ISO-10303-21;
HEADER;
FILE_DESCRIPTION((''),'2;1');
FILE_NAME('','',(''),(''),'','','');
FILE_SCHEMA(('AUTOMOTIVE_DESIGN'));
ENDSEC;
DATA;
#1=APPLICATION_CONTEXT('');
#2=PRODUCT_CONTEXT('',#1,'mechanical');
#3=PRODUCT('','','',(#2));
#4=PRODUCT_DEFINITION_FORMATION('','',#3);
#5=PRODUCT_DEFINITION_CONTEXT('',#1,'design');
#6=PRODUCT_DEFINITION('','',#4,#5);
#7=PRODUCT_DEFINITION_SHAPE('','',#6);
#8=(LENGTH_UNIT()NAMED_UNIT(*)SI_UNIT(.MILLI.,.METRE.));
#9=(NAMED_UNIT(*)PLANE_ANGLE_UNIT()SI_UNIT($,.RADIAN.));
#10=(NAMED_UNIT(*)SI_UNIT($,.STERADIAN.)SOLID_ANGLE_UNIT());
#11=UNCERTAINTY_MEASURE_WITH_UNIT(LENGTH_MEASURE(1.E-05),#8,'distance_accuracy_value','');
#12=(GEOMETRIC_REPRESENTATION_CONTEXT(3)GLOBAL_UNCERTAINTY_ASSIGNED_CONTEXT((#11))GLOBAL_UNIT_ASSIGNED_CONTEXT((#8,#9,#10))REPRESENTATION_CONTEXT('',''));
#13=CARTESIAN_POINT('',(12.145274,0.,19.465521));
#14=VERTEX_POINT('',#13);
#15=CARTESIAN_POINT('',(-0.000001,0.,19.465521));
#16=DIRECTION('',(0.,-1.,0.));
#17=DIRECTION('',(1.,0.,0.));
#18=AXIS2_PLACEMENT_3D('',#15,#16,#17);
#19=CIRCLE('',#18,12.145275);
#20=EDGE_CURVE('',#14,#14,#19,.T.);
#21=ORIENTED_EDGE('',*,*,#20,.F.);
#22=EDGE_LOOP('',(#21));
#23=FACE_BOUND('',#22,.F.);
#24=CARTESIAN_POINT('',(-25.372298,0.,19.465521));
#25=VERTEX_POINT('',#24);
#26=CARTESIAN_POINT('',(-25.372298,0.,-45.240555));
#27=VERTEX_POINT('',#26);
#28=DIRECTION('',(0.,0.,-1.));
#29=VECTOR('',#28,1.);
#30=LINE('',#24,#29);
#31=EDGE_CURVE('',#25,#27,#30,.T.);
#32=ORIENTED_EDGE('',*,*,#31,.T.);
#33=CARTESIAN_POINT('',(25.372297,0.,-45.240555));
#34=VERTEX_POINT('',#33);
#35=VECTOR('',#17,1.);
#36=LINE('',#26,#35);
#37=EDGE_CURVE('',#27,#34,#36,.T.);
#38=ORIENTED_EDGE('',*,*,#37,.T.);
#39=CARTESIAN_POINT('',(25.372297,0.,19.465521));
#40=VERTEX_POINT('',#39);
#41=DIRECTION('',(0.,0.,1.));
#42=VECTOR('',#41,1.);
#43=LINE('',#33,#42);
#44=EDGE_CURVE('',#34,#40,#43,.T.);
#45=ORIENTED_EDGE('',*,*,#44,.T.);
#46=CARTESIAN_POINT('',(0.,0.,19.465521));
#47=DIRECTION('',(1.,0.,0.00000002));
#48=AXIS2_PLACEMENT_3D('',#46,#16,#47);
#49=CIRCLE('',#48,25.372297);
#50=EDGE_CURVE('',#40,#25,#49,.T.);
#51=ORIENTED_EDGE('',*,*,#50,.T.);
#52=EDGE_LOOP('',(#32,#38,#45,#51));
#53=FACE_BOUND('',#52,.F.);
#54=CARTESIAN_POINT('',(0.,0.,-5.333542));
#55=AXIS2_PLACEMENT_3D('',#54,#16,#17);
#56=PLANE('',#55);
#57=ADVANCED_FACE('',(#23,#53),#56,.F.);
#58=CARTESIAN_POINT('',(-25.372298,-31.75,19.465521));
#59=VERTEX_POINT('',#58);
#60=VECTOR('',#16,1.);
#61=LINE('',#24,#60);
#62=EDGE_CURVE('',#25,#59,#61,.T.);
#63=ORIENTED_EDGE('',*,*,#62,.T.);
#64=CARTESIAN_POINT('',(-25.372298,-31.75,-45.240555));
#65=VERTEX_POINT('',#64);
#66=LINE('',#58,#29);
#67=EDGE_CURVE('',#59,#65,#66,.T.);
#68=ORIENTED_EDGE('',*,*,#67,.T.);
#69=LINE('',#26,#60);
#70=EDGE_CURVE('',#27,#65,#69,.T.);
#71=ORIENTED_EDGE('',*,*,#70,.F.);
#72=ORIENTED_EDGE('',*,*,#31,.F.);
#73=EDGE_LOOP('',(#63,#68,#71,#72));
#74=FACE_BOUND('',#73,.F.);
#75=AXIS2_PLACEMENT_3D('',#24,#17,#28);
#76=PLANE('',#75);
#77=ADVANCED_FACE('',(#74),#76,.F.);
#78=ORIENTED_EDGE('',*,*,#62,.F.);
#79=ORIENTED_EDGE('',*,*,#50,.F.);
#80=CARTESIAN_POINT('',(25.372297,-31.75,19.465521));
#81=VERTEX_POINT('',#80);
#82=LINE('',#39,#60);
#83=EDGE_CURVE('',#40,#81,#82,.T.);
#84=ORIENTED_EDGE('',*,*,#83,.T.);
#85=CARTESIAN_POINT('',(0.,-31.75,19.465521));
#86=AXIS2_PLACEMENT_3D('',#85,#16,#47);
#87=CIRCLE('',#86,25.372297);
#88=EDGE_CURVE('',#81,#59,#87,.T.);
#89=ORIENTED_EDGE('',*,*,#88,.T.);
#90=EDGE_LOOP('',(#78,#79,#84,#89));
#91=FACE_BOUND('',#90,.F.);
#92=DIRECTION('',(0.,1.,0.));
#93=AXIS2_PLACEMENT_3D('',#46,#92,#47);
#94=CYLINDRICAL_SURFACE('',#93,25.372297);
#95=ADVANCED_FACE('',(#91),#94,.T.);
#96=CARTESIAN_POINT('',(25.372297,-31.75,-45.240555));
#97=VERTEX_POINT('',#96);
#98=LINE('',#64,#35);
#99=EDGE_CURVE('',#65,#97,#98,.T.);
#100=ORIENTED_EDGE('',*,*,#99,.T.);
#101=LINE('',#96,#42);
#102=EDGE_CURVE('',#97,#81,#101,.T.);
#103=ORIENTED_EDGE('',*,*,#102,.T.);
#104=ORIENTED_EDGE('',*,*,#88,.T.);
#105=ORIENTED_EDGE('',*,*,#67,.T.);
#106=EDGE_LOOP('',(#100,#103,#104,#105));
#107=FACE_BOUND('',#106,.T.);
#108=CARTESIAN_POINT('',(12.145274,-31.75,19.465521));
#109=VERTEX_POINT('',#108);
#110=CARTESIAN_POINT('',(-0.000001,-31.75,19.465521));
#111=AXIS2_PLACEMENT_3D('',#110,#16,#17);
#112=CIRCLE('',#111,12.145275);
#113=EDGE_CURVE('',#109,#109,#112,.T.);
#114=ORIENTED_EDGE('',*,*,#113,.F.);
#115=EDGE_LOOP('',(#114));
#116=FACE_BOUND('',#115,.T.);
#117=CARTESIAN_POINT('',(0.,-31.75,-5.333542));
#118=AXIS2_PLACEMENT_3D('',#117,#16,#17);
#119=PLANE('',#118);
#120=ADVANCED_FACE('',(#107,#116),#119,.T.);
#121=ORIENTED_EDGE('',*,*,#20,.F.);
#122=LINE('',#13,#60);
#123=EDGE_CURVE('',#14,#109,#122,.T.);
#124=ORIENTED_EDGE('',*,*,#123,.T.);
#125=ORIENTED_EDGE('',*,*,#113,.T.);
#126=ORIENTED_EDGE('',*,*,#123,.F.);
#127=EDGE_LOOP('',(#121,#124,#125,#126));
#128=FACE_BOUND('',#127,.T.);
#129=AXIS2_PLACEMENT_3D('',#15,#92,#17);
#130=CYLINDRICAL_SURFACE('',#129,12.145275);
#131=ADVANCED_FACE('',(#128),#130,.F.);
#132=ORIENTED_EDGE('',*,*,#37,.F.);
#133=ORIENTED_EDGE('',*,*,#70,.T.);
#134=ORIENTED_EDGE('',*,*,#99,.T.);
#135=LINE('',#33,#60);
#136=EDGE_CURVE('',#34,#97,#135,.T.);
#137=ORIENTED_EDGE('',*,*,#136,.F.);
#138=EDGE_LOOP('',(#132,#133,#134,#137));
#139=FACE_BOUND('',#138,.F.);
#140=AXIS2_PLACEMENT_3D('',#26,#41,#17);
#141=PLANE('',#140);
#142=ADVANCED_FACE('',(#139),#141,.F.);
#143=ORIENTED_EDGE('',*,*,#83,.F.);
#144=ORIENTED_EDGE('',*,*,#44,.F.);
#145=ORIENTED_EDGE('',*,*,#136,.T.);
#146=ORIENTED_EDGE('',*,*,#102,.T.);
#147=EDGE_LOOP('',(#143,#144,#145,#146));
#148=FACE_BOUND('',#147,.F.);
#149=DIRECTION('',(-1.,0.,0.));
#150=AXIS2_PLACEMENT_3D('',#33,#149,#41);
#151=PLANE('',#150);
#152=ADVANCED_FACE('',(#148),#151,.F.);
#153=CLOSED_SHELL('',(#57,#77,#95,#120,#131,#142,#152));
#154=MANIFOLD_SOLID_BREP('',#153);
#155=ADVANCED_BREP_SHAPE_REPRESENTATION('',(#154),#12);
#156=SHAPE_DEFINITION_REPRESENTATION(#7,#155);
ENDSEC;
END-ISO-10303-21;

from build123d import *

# Parameters (mm, degrees)
F0_R     = 12.145275
F1_DEPTH = 31.75


with BuildPart() as f1:
    # F0 (on Front) → F1 (new body)
    with BuildSketch(Plane.XZ):
        with BuildLine():
            ThreePointArc((25.372297, 19.465521), (-1e-06, 44.837818), (-25.372298, 19.465521))
            Line((-25.372298, 19.465521), (-25.372298, -45.240555))
            Line((-25.372298, -45.240555), (25.372297, -45.240555))
            Line((25.372297, -45.240555), (25.372297, 19.465521))
        make_face()
        with Locations((-1e-06, 19.465521)):
            Circle(F0_R, mode=Mode.SUBTRACT)
    extrude(amount=F1_DEPTH)


solid = f1.part
